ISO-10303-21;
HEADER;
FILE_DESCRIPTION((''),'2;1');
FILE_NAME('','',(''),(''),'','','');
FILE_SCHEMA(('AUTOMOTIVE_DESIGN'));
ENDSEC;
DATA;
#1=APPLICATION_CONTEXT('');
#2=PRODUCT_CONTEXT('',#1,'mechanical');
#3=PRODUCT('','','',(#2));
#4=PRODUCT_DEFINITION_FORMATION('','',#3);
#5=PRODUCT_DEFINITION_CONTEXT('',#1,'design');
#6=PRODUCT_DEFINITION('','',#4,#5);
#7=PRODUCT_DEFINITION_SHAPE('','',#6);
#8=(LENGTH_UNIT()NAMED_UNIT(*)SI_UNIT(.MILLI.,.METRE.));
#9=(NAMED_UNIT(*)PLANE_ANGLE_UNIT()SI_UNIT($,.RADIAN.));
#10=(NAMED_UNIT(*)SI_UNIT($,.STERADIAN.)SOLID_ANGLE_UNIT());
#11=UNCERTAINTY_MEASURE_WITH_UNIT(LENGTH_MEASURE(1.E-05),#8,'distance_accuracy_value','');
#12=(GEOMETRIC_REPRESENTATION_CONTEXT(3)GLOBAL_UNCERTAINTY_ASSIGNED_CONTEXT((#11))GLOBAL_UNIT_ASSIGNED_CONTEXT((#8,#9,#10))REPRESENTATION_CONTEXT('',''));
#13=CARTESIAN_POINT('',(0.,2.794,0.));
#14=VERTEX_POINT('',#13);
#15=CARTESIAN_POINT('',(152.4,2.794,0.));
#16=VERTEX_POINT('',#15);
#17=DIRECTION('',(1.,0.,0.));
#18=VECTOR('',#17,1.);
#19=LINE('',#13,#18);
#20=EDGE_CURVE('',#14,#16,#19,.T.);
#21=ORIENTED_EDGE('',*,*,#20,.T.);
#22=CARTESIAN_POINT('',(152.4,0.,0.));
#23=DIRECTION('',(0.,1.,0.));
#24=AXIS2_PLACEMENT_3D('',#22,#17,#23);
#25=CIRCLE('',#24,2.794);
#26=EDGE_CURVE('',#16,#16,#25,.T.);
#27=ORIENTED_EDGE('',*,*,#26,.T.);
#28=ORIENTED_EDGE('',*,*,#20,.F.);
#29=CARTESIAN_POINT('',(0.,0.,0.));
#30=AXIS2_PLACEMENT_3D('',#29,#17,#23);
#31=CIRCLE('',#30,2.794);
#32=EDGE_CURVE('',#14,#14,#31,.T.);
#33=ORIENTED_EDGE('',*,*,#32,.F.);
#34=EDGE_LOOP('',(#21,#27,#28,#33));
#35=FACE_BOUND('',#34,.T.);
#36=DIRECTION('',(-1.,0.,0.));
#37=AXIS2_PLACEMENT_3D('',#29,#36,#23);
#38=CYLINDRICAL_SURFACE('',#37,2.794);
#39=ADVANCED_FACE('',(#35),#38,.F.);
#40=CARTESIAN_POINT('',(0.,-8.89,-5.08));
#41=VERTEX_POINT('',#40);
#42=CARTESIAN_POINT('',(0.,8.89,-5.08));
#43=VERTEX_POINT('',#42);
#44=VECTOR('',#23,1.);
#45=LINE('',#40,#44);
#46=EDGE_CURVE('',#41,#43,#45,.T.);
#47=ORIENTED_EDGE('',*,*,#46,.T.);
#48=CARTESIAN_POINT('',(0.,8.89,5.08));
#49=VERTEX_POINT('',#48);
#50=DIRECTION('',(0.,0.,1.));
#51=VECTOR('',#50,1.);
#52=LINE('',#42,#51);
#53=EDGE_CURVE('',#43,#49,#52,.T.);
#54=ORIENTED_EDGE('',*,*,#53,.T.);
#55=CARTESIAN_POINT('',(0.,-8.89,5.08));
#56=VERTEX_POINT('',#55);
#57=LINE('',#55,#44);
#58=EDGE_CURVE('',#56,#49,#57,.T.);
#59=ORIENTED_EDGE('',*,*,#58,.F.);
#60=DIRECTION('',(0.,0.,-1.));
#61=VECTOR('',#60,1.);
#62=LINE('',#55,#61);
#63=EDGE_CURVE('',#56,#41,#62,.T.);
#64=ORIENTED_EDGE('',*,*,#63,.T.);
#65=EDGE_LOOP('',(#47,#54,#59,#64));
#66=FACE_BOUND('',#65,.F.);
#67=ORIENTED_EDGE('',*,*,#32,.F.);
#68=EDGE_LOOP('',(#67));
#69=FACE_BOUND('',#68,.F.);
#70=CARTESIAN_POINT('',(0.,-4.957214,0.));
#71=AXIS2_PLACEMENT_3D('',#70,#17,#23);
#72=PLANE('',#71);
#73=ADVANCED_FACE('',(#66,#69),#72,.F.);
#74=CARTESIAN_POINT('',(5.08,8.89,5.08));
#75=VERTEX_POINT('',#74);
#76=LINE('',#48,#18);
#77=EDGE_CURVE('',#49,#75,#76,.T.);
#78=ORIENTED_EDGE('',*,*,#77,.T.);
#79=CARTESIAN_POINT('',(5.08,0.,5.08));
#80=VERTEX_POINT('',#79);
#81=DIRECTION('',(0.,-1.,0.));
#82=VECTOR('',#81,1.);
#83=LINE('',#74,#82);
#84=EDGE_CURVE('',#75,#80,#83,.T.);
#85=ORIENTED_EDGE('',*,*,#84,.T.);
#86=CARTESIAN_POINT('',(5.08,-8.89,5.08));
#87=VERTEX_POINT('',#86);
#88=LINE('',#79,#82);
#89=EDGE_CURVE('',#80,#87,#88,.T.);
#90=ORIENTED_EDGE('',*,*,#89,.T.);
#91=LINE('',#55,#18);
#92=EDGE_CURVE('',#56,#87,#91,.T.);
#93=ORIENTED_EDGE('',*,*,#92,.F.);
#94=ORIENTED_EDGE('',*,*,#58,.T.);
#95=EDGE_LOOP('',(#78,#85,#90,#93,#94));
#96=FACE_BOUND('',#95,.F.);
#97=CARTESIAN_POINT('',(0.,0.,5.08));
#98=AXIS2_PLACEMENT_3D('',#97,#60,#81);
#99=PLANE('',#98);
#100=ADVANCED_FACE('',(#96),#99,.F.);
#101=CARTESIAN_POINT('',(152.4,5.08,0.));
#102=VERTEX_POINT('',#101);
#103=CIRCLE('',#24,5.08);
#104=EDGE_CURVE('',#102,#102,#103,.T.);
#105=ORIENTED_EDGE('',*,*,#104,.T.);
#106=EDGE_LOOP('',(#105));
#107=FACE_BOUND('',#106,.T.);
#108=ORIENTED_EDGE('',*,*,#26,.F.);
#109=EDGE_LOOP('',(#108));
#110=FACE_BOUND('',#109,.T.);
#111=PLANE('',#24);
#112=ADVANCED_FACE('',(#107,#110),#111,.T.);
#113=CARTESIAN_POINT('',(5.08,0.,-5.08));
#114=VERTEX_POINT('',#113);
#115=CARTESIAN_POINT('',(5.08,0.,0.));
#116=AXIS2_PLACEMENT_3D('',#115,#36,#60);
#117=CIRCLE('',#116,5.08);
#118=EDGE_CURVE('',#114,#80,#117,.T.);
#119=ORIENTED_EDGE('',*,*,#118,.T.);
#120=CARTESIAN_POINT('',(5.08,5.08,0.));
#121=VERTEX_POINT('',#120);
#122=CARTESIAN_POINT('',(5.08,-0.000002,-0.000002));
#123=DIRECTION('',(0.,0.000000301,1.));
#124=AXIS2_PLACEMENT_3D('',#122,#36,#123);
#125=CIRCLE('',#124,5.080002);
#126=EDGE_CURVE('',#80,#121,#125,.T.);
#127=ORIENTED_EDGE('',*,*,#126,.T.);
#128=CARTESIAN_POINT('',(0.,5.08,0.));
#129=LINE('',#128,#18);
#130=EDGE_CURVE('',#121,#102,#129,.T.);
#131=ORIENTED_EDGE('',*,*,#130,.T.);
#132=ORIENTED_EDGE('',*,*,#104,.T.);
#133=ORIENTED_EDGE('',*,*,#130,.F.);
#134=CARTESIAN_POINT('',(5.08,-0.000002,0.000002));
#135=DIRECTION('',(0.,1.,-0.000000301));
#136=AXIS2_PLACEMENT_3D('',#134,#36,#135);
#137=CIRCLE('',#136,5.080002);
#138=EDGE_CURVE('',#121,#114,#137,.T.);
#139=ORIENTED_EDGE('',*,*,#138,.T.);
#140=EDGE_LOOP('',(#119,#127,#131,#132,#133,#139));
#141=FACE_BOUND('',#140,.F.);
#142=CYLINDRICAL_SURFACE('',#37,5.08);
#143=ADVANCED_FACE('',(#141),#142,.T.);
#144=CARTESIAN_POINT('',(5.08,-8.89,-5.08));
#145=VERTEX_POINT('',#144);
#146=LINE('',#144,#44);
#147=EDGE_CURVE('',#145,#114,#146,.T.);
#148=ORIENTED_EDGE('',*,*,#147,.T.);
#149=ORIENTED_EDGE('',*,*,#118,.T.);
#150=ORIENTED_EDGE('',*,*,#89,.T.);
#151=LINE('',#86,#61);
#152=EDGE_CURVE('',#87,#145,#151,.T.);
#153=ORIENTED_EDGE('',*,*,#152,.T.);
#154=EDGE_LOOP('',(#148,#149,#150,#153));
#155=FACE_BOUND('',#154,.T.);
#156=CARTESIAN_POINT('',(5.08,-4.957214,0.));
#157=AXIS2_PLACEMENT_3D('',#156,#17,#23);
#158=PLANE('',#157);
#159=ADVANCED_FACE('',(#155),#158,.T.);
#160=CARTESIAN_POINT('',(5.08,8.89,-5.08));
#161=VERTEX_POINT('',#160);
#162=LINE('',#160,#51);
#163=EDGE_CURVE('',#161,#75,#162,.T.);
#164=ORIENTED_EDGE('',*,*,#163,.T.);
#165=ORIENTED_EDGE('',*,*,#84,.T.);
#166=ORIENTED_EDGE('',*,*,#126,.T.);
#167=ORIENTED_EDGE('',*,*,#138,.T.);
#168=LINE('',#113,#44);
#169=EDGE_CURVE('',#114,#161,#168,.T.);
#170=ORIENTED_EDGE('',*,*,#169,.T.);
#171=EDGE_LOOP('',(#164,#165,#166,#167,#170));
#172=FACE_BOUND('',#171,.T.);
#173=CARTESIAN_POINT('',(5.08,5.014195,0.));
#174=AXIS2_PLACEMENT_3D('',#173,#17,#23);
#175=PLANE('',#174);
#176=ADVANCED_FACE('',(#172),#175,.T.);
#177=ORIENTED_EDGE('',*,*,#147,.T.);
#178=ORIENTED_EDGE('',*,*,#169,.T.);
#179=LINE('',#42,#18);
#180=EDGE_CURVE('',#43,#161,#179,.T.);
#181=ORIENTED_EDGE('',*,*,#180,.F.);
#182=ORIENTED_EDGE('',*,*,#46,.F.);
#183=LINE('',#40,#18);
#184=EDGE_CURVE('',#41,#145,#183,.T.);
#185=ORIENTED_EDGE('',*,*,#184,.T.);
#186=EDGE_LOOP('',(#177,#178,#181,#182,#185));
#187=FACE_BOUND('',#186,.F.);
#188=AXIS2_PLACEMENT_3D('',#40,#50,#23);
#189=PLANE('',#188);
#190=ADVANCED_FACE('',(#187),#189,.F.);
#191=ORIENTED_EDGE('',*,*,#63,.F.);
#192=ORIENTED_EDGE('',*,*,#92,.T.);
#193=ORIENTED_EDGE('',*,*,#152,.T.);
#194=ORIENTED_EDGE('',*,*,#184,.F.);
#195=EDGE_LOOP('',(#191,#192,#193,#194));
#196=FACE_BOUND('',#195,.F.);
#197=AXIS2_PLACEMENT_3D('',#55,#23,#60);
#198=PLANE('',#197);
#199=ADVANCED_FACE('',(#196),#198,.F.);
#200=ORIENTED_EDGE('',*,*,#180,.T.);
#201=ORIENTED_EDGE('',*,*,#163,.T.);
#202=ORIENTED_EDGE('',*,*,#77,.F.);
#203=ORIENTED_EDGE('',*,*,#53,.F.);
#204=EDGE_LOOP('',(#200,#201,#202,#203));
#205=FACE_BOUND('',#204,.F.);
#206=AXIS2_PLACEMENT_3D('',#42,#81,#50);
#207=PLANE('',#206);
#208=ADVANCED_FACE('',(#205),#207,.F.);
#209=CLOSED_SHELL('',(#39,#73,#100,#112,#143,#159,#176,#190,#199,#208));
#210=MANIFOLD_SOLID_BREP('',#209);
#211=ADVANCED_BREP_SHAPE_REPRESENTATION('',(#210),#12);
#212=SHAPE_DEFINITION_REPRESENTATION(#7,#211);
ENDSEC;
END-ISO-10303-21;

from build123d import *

# Parameters (mm, degrees)
F0_R     = 5.08
F0_R_2   = 2.794
F1_DEPTH = 152.4
F3_DEPTH = 5.08


with BuildPart() as f1:
    # F0 (on Right) → F1 (new body)
    with BuildSketch(Plane.YZ):
        Circle(F0_R)
        Circle(F0_R_2, mode=Mode.SUBTRACT)
    extrude(amount=F1_DEPTH)

    # F2 (on Right) → F3 (join)
    with BuildSketch(Plane.YZ):
        with BuildLine():
            Line((-8.89, -5.08), (0, -5.08))
            ThreePointArc((0, -5.08), (-5.08, 0), (0, 5.08))
            Line((0, 5.08), (-8.89, 5.08))
            Line((-8.89, 5.08), (-8.89, -5.08))
        make_face()
        with BuildLine():
            Line((0, -5.08), (8.89, -5.08))
            Line((8.89, -5.08), (8.89, 5.08))
            Line((8.89, 5.08), (0, 5.08))
            ThreePointArc((0, 5.08), (3.592102, 3.592102), (5.08, 0))
            ThreePointArc((5.08, 0), (3.592102, -3.592102), (0, -5.08))
        make_face()
    extrude(amount=F3_DEPTH)


solid = f1.part
